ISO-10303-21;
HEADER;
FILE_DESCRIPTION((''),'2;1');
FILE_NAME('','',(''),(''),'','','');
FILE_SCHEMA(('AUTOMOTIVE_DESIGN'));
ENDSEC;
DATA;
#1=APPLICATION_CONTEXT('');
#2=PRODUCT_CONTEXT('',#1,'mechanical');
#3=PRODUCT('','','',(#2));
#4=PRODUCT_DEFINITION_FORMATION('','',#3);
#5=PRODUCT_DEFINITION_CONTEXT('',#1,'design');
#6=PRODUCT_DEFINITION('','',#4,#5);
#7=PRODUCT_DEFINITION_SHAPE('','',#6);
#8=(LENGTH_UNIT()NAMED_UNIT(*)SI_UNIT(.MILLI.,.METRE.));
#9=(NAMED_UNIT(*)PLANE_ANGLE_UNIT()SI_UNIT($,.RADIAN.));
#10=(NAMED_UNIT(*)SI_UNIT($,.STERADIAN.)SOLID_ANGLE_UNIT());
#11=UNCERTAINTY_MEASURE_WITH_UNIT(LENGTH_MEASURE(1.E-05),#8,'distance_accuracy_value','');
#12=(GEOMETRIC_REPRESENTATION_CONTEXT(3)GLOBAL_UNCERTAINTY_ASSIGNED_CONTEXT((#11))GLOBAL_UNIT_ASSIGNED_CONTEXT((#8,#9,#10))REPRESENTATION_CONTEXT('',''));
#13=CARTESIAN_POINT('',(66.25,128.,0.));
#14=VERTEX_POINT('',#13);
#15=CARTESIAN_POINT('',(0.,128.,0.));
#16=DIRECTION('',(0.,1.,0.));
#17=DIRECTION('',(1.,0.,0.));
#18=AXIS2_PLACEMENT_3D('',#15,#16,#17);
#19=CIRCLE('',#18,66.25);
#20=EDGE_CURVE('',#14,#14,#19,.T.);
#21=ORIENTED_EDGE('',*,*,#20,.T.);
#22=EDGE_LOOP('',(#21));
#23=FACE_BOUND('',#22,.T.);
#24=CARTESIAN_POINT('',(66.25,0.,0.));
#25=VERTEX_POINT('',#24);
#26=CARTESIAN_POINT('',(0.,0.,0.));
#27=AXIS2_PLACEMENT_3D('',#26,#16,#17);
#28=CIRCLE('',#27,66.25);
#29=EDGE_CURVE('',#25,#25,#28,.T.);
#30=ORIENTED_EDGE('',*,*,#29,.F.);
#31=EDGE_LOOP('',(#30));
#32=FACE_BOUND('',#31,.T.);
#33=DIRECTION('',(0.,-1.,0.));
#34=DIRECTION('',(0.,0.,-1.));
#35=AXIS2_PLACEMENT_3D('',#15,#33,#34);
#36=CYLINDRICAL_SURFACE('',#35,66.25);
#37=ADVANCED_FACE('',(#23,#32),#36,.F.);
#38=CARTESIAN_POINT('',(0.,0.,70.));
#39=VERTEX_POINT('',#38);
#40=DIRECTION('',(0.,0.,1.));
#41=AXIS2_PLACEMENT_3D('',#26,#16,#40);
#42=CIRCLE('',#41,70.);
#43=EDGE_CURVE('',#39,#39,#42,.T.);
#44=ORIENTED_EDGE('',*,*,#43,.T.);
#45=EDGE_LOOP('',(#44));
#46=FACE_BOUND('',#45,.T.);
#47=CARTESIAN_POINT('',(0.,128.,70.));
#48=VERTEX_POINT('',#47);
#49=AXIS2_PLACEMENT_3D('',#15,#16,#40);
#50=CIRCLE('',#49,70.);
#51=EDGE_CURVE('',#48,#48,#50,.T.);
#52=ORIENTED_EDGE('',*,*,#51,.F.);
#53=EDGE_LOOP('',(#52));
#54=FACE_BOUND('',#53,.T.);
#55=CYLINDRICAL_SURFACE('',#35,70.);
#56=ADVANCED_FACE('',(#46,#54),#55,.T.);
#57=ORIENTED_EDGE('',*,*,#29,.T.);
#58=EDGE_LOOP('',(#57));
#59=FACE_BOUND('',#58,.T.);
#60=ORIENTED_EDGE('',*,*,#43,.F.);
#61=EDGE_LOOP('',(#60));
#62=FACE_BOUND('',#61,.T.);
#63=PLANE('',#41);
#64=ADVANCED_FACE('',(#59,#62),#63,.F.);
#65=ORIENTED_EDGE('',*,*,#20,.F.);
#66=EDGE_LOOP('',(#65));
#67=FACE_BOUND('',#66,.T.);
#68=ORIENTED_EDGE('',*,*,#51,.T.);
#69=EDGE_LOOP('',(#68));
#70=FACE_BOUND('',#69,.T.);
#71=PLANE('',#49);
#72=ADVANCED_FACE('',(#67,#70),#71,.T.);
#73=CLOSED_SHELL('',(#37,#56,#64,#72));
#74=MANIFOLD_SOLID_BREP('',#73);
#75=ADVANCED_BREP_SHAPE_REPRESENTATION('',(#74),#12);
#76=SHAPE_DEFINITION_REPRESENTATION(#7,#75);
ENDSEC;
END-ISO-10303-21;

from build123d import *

# Parameters (mm, degrees)
CROQUIS1_R            = 70
CROQUIS1_R_2          = 66.25
EXTRUIR_L_MINA1_DEPTH = 128


with BuildPart() as part:
    # Croquis1 → Extruir-Lámina1 (new body)
    with BuildSketch(Plane(origin=(0, 0, 0), x_dir=(1, 0, 0), z_dir=(0, 1, 0))):
        Circle(CROQUIS1_R)
        Circle(CROQUIS1_R_2, mode=Mode.SUBTRACT)
    extrude(amount=EXTRUIR_L_MINA1_DEPTH)


solid = part.part
